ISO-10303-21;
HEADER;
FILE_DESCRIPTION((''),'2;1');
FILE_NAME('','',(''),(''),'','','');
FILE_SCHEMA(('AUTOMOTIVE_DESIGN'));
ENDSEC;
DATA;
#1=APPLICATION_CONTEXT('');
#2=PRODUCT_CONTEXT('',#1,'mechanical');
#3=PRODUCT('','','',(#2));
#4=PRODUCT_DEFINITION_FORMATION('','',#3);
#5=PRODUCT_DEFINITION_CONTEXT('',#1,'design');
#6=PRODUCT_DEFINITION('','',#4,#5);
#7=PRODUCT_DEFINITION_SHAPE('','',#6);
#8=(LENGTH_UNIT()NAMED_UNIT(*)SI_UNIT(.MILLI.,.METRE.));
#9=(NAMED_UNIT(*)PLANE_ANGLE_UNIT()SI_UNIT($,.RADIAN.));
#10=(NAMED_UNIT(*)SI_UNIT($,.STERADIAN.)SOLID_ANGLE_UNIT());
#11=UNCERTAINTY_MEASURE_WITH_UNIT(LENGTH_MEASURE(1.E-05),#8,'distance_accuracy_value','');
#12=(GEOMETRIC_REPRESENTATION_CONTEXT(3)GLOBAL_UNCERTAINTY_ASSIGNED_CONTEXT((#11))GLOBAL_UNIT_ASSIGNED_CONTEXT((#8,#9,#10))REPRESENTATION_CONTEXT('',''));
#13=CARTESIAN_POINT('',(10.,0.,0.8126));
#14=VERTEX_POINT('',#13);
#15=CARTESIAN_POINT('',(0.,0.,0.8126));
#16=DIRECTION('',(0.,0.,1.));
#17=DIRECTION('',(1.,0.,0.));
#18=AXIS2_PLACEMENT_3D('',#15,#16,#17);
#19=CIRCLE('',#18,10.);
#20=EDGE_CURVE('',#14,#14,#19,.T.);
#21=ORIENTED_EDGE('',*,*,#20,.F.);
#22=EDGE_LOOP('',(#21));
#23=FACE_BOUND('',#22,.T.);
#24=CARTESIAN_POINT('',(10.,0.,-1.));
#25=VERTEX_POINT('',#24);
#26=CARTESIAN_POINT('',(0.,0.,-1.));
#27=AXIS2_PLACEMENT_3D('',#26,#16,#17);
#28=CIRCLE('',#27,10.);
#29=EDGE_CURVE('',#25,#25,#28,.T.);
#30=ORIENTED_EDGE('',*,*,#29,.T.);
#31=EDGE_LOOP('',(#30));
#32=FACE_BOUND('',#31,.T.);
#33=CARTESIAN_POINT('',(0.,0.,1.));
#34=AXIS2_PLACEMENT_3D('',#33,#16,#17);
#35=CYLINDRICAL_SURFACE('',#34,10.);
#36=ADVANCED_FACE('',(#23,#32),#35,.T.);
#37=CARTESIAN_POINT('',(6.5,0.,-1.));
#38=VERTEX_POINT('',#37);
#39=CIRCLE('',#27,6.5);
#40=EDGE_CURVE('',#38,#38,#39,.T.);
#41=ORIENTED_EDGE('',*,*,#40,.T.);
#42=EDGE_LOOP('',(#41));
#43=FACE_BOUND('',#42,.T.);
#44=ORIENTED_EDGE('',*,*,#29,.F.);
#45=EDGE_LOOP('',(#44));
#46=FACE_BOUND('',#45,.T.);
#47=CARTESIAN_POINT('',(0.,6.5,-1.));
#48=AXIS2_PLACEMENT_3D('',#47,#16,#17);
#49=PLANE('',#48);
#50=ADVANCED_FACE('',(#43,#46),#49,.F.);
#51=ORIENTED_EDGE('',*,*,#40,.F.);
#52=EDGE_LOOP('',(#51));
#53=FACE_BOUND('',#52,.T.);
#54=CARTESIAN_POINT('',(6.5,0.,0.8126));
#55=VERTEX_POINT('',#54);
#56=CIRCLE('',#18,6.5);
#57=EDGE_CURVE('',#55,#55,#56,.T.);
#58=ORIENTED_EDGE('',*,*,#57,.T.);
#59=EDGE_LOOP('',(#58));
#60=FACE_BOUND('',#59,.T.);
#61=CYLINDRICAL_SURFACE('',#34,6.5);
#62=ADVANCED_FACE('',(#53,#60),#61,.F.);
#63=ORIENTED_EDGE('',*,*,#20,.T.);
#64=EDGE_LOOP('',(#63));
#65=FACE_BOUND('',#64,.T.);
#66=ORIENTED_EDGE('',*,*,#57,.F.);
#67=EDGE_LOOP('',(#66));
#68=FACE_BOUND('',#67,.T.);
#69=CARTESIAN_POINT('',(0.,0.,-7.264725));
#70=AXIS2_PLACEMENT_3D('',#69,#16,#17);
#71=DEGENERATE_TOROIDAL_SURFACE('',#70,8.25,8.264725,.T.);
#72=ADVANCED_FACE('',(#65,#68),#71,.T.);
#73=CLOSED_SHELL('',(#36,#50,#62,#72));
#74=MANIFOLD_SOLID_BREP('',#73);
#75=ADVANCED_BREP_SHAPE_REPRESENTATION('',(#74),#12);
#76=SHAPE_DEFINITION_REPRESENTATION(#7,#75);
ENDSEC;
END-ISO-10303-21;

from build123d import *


with BuildPart() as part:
    # Sketch3 → Revolve1 (revolve)
    with BuildSketch(Plane(origin=(0, 0, 0), x_dir=(0, 0, -1), z_dir=(1, 0, 0)), mode=Mode.PRIVATE) as revolve1_sk:
        with BuildLine():
            Line((1, 10), (-0.8126, 10))
            ThreePointArc((-0.8126, 10), (-1, 8.25), (-0.8126, 6.5))
            Line((-0.8126, 6.5), (1, 6.5))
            Line((1, 6.5), (1, 10))
        make_face()
    revolve(revolve1_sk.sketch.rotate(Axis((0, 0, 1), (0, 0, -1)), 90), axis=Axis((0, 0, 1), (0, 0, -1)))


solid = part.part
